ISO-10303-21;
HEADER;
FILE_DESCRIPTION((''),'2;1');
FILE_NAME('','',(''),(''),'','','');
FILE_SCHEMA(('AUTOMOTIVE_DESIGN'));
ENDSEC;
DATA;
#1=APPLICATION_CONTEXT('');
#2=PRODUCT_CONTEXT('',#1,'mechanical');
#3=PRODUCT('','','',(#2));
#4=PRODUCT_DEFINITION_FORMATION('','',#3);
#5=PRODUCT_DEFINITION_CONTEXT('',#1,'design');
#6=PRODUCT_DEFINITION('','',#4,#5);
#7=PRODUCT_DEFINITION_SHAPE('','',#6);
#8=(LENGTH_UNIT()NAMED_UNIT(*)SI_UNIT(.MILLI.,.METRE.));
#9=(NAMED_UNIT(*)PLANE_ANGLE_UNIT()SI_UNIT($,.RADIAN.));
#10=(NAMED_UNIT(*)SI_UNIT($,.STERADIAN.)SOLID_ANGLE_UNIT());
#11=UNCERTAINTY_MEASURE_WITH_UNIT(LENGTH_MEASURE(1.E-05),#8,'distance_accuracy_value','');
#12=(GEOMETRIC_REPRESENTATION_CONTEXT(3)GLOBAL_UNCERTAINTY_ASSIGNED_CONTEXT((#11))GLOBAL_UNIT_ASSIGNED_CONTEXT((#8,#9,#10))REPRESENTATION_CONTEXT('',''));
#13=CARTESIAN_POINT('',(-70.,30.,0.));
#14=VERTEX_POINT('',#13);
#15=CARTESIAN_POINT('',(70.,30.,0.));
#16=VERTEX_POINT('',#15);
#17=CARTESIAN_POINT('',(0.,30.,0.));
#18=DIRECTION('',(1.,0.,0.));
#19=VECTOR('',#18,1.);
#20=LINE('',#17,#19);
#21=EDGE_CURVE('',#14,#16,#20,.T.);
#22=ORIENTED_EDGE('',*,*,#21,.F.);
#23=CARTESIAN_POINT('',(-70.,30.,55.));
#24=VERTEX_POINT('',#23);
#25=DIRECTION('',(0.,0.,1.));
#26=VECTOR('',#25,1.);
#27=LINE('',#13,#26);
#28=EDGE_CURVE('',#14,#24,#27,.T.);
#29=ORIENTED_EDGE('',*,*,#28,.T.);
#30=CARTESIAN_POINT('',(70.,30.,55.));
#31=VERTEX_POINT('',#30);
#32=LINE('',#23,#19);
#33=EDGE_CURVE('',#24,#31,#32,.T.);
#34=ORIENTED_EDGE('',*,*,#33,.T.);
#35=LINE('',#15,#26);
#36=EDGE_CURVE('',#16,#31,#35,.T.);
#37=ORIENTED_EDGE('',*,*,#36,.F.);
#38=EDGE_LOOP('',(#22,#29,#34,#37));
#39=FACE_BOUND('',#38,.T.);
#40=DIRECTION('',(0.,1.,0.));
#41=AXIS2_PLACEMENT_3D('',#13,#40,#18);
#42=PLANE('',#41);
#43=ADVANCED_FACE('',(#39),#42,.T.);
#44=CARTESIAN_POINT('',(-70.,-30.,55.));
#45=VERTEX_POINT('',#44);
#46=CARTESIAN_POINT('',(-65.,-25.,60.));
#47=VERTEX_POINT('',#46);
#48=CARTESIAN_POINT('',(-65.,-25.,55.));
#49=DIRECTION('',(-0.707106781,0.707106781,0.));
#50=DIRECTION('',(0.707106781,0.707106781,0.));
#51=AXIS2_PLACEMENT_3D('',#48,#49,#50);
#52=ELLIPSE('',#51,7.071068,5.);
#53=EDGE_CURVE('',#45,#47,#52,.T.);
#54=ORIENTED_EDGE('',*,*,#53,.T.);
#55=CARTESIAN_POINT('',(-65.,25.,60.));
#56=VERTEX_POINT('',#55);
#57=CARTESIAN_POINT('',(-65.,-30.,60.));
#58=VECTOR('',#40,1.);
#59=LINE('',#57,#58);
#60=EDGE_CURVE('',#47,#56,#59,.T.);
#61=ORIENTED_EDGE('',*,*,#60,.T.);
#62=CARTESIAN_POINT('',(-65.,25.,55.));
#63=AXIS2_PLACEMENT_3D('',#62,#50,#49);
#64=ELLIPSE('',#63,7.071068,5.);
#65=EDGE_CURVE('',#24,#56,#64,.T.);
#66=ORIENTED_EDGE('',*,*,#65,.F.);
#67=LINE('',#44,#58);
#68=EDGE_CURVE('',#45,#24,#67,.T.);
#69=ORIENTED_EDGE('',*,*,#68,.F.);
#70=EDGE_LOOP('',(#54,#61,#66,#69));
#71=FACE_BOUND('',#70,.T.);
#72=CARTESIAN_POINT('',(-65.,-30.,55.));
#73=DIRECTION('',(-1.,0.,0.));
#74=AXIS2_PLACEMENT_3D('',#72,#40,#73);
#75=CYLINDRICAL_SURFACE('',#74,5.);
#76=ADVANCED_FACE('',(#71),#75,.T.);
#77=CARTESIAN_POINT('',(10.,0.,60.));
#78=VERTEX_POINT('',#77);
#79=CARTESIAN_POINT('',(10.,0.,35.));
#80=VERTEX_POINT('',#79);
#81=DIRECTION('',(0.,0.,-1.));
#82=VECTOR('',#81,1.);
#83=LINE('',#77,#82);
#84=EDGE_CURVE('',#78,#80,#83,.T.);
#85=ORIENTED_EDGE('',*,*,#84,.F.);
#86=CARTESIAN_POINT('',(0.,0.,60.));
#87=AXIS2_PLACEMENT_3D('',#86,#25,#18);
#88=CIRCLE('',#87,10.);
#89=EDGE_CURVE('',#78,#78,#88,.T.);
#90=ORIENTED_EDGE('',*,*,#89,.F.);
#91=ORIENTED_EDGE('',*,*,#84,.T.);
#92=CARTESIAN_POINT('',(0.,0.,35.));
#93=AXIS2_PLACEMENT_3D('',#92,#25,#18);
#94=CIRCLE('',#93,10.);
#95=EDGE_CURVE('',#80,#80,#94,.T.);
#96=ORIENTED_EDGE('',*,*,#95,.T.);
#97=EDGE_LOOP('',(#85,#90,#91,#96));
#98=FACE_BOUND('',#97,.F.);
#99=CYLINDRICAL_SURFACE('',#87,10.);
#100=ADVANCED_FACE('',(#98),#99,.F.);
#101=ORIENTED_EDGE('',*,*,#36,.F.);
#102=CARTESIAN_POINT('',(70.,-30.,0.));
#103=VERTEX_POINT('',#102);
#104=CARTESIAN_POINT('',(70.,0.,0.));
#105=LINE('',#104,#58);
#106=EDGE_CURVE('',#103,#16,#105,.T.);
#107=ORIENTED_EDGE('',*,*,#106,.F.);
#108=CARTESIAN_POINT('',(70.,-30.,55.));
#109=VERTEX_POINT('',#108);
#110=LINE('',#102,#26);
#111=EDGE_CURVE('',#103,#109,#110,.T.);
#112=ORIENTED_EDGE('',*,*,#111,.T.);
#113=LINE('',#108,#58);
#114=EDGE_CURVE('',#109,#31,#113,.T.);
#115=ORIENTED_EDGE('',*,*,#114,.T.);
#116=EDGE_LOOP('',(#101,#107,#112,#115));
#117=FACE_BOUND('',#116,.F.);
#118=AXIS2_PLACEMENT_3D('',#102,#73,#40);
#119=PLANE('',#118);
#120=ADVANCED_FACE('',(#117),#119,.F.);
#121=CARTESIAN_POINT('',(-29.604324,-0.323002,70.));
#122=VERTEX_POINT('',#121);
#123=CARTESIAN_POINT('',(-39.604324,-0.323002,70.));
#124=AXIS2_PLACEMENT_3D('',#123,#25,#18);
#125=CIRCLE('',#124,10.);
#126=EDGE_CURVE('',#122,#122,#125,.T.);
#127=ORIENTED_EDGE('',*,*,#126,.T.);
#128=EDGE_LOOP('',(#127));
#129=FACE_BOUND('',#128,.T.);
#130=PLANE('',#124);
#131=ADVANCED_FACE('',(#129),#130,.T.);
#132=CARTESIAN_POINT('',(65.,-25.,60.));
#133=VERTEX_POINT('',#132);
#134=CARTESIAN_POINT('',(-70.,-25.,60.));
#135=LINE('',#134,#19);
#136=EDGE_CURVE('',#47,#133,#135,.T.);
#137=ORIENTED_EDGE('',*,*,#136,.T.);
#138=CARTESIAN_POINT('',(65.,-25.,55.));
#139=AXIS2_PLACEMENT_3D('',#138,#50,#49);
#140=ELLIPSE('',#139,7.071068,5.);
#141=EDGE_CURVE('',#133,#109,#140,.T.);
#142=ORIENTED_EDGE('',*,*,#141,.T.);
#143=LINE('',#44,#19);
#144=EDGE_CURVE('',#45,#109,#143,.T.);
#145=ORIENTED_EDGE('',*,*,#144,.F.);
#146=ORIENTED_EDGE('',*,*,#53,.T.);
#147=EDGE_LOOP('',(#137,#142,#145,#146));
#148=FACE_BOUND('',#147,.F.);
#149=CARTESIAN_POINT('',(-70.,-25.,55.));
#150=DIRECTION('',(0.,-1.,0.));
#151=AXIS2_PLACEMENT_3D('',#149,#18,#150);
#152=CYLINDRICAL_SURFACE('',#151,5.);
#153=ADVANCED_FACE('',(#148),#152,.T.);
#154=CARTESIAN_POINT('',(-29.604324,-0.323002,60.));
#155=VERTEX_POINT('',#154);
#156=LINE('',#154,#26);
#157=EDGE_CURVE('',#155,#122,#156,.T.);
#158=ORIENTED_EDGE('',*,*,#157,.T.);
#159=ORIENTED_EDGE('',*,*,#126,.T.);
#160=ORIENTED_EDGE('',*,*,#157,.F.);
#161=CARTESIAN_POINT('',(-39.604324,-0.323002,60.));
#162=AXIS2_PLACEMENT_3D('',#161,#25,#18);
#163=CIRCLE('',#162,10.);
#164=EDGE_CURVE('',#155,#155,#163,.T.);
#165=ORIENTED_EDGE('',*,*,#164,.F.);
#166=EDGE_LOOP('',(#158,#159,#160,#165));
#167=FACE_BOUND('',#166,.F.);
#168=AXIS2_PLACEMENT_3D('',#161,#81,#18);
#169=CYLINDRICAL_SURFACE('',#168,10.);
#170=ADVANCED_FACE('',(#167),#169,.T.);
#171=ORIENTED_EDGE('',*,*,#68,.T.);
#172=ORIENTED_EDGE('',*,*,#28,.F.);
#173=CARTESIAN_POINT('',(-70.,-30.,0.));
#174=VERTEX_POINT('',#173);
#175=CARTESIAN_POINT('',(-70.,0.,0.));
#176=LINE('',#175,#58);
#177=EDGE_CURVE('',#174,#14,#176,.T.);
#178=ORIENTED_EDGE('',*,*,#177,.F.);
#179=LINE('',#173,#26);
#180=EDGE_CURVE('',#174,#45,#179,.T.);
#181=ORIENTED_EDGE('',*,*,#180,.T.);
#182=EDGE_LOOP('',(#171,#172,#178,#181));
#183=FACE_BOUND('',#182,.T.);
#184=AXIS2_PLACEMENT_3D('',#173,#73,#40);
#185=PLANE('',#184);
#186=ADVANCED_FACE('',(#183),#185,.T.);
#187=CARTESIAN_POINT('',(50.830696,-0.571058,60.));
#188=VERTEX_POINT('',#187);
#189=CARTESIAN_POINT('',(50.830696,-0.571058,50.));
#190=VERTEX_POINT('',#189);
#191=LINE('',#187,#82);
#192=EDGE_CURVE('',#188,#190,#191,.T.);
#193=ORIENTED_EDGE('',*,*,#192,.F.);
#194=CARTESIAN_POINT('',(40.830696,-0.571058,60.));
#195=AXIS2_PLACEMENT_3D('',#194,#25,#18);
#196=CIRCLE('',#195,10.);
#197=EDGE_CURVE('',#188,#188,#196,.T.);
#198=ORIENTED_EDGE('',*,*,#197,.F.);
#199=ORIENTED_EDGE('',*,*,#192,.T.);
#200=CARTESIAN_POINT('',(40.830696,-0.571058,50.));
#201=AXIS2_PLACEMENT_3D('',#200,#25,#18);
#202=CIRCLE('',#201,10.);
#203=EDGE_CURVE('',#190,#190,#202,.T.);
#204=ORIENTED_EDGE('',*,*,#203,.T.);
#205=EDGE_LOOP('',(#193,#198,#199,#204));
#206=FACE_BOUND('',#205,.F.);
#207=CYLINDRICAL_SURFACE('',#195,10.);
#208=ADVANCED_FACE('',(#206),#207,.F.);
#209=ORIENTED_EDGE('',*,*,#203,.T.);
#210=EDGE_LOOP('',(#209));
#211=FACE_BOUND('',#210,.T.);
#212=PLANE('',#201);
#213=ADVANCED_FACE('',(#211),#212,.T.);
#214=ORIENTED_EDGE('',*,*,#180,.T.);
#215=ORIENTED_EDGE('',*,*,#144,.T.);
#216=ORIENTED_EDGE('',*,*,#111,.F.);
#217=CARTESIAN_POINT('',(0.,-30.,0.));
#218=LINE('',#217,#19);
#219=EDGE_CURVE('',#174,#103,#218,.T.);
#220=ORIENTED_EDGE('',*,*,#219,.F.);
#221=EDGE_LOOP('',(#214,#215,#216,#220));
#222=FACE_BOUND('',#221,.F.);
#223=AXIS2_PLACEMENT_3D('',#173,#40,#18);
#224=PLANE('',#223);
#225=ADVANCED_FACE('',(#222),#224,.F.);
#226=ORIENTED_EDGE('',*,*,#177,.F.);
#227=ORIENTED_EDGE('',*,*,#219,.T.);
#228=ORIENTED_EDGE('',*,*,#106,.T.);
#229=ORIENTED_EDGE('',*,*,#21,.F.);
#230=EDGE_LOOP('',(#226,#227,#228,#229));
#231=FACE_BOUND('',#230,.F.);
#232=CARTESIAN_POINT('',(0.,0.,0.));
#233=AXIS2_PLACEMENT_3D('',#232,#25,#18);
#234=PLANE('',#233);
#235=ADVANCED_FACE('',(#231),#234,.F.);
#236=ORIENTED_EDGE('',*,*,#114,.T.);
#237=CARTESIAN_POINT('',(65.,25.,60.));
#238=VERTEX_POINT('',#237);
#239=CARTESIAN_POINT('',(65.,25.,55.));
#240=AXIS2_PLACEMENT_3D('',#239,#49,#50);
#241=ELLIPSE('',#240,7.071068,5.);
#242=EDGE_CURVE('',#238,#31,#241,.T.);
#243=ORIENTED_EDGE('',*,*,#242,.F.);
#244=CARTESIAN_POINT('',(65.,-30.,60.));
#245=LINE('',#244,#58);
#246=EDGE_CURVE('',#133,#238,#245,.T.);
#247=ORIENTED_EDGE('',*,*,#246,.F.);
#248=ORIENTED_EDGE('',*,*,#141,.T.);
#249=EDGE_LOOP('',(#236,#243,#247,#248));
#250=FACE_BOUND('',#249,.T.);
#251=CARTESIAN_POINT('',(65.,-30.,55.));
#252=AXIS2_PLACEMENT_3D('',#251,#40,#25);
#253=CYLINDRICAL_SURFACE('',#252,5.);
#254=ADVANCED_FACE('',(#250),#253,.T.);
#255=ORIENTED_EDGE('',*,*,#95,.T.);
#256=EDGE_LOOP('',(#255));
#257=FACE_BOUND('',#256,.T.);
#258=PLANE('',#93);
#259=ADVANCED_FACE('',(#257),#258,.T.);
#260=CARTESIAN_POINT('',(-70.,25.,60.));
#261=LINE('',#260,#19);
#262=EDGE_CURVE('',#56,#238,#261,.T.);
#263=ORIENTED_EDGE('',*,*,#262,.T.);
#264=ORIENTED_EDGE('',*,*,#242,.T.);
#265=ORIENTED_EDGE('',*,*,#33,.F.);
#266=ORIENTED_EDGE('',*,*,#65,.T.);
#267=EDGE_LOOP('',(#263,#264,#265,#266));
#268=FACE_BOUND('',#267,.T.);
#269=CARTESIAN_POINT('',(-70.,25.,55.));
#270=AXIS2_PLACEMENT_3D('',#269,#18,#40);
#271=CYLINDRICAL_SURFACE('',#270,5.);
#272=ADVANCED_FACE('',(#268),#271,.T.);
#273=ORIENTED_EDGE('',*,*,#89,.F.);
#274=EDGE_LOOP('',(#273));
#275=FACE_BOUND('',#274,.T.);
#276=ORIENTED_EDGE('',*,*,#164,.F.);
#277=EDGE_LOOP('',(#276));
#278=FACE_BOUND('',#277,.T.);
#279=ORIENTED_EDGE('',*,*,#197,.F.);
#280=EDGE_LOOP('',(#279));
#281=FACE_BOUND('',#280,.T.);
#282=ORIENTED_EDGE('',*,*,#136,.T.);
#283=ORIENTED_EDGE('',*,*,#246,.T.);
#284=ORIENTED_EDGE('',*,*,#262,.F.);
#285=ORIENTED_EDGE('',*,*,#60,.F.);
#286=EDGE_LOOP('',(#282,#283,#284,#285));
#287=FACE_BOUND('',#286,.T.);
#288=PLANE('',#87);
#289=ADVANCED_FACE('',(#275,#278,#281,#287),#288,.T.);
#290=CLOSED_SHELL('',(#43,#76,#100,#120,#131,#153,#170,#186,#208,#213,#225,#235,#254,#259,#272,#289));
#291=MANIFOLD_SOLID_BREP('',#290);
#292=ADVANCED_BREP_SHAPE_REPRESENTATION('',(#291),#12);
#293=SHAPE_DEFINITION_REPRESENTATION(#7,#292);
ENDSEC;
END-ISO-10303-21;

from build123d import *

# Parameters (mm, degrees)
F0_W     = 140
F0_H     = 60
F1_DEPTH = 60
F3_R     = 10
F6_DEPTH = 10
F4_R     = 10
F7_DEPTH = 25
F5_R     = 10
F8_DEPTH = 10
F9_R     = 5


with BuildPart() as f1:
    # F0 (on Top) → F1 (new body)
    with BuildSketch(Plane.XY):
        Rectangle(F0_W, F0_H)
    extrude(amount=F1_DEPTH)

    # F3 (on face) → F6 (join)
    with BuildSketch(Plane.XY.offset(60)):
        with Locations((-39.604324, -0.323002)):
            Circle(F3_R)
    extrude(amount=F6_DEPTH)

    # F4 (on face) → F7 (cut)
    with BuildSketch(Plane.XY.offset(60)):
        Circle(F4_R)
    extrude(amount=-F7_DEPTH, mode=Mode.SUBTRACT)

    # F5 (on face) → F8 (cut)
    with BuildSketch(Plane.XY.offset(60)):
        with Locations((40.830696, -0.571058)):
            Circle(F5_R)
    extrude(amount=-F8_DEPTH, mode=Mode.SUBTRACT)

    # F9
    f9_edges = [f1.edges().sort_by_distance(p)[0] for p in [
        (-70, 0, 60),
        (70, 0, 60),
        (0, -30, 60),
        (0, 30, 60),
    ]]
    fillet(f9_edges, radius=F9_R)


solid = f1.part
